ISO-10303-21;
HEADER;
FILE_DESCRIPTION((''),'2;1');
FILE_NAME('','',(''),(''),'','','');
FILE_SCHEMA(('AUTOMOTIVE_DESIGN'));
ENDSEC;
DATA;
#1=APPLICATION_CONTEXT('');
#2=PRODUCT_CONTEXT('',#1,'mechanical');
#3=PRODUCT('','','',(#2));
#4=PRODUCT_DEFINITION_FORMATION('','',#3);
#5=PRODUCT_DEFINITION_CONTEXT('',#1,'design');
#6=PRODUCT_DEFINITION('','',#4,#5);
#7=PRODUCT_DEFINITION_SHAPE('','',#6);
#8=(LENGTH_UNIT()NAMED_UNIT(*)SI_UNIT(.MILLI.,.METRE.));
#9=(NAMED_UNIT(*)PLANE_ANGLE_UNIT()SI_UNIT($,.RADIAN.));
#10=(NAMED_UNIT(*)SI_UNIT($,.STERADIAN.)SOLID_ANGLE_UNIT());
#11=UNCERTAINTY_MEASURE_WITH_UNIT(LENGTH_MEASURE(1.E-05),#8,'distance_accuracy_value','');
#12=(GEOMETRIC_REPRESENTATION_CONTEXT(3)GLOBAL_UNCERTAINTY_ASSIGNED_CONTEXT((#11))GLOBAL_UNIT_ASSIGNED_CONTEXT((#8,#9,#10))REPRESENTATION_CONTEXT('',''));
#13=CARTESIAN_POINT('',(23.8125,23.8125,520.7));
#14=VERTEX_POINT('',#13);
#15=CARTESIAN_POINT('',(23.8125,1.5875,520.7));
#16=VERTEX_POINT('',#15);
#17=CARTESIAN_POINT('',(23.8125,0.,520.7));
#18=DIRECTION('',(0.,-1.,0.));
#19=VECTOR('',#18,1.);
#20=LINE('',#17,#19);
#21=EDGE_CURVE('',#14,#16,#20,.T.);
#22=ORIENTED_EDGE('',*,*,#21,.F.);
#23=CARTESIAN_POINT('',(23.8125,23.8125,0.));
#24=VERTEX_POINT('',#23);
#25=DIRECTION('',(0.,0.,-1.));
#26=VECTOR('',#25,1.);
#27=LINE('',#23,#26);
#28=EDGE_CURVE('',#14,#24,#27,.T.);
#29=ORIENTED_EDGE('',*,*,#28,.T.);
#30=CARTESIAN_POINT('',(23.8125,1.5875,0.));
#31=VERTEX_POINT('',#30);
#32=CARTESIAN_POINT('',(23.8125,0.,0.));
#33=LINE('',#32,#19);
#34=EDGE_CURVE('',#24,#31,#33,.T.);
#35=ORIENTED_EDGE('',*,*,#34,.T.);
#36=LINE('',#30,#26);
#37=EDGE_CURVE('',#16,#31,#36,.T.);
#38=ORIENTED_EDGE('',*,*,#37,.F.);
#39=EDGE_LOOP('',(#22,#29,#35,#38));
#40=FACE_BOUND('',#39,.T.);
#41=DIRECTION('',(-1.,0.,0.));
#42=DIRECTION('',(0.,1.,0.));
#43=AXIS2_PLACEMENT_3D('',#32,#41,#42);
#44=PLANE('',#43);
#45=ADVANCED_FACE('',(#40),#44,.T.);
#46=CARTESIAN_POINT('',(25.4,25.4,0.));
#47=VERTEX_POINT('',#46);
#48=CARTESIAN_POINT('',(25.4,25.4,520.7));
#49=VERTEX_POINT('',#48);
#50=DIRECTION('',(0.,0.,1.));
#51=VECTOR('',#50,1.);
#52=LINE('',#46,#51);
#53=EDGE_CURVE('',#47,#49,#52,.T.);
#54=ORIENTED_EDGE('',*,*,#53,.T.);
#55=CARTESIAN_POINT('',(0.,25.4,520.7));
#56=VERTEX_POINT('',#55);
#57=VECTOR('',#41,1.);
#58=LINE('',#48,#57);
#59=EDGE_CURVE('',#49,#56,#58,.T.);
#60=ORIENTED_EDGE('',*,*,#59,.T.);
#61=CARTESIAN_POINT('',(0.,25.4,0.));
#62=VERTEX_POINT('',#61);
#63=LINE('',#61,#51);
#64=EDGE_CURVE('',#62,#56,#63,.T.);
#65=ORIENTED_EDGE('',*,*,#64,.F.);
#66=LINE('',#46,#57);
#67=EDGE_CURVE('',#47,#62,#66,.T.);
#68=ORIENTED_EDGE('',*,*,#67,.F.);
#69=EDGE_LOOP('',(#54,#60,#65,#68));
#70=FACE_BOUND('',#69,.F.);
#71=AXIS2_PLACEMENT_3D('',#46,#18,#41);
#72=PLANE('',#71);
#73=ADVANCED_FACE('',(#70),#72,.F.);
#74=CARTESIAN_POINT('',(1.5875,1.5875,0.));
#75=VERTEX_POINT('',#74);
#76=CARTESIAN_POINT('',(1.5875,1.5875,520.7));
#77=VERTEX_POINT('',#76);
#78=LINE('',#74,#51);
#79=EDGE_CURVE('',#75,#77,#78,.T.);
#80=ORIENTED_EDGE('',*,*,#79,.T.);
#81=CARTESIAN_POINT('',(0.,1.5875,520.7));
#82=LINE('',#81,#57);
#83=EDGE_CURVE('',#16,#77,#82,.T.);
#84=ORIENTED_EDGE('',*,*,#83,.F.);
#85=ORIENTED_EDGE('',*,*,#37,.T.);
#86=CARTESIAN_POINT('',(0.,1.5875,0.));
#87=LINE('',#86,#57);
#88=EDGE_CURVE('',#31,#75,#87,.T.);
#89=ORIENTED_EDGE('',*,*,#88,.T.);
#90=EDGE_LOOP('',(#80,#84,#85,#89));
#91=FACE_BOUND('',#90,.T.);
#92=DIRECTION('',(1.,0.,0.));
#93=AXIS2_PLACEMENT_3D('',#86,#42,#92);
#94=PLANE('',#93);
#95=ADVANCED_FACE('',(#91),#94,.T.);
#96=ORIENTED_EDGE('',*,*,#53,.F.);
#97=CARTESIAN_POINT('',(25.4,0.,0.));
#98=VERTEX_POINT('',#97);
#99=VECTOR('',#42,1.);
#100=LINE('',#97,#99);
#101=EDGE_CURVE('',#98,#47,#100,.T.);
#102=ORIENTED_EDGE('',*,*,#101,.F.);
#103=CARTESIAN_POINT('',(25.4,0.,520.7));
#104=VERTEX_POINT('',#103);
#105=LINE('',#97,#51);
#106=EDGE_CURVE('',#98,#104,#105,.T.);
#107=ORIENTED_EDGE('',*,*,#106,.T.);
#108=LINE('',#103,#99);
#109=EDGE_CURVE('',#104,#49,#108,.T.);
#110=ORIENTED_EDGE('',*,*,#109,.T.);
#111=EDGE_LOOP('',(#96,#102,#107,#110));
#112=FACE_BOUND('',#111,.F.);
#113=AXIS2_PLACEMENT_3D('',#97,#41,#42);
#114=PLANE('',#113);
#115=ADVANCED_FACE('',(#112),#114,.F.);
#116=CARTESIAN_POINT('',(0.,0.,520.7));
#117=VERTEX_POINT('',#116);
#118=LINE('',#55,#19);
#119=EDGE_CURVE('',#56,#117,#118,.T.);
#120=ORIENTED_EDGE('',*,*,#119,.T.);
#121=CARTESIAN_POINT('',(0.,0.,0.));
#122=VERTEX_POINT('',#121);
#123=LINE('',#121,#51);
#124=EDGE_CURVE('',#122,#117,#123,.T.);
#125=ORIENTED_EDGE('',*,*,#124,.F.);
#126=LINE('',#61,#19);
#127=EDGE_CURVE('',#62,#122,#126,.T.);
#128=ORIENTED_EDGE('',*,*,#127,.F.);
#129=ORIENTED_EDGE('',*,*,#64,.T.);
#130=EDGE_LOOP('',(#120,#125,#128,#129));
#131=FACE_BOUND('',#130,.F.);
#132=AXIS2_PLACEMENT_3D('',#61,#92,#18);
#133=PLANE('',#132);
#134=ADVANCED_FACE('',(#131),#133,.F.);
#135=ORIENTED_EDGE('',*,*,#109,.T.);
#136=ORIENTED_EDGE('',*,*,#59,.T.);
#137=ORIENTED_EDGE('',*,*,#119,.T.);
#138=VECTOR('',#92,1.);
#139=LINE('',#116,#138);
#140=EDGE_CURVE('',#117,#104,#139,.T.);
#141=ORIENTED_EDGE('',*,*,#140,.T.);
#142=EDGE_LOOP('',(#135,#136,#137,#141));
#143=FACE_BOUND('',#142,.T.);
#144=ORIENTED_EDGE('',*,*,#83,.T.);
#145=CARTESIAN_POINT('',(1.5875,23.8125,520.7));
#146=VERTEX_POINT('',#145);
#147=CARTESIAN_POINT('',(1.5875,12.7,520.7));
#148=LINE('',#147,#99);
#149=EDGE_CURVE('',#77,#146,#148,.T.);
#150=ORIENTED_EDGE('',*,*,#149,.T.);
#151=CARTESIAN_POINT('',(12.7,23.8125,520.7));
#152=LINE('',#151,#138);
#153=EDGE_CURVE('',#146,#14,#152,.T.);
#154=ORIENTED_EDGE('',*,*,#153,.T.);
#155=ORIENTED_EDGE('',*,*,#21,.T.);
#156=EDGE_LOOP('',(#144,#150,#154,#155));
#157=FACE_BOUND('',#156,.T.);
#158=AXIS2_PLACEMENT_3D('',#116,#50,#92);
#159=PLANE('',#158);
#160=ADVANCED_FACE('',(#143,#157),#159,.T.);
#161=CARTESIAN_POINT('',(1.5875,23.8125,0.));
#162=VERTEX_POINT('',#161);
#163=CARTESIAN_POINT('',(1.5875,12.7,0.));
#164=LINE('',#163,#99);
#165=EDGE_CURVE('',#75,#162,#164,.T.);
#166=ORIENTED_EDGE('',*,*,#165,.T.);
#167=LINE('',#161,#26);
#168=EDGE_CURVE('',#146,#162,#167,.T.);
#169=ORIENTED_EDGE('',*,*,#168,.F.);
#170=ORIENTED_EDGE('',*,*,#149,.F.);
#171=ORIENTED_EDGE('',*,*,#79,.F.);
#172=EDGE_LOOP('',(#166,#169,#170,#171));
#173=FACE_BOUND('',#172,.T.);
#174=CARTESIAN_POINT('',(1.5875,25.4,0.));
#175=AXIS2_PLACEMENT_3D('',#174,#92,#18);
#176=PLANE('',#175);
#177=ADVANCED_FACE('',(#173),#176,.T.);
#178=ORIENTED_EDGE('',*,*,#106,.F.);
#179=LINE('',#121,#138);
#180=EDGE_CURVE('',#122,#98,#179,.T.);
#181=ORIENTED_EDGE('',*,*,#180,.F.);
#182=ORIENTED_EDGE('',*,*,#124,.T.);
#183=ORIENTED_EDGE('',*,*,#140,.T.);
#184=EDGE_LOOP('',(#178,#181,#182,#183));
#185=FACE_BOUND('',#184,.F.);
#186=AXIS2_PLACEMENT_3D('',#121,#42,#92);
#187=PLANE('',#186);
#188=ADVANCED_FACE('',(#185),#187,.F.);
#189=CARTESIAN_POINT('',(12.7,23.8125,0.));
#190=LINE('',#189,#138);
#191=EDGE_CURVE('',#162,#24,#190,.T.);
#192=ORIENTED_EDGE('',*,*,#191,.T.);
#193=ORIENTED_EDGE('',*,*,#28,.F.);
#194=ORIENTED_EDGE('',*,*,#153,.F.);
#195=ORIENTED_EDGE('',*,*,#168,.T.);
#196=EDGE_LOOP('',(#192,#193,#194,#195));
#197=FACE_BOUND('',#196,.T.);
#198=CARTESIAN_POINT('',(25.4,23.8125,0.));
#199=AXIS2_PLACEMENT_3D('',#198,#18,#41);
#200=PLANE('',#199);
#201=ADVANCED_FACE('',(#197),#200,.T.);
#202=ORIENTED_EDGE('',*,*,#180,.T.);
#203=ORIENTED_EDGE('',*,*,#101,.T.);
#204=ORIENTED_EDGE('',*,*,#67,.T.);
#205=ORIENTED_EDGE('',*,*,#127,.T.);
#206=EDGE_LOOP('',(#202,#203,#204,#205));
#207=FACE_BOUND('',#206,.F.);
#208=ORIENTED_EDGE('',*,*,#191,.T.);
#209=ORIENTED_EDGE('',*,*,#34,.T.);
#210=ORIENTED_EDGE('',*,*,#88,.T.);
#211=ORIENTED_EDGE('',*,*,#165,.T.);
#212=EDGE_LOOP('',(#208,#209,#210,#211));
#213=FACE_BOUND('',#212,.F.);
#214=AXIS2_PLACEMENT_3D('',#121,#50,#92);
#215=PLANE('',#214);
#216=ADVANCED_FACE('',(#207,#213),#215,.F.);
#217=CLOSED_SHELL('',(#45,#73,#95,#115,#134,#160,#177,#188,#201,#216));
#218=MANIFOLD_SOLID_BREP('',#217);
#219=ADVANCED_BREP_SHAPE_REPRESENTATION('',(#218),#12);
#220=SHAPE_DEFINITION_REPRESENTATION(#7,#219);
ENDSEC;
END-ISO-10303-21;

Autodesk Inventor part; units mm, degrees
ref_plane "YZ Plane" through (0, 0, 0) normal (1, 0, 0) x (0, 1, 0)
ref_plane "XZ Plane" through (0, 0, 0) normal (0, 1, 0) x (-1, 0, 0)
ref_plane "XY Plane" through (0, 0, 0) normal (0, 0, 1) x (1, 0, 0)
sketch "Sketch1" plane through (0, 0, 0) normal (0, 0, 1) x (1, 0, 0)
  line L0 (0, 0) -> (25.4, 0)
  line L1 (25.4, 0) -> (25.4, 25.4)
  line L2 (25.4, 25.4) -> (0, 25.4)
  line L3 (0, 25.4) -> (0, 0)
  dimension "d0" = 25.4
  dimension "d1" = 25.4
extrude "Extrusion1" add sketch "Sketch1" along normal blind 520.7
shell "Shell1" thickness 1.5875 removed faces 2 at (8.4667, 16.9333, 0) at (8.4667, 16.9333, 520.7)
properties part number "Frame_UpperFrame" material "Aluminum-6061"
